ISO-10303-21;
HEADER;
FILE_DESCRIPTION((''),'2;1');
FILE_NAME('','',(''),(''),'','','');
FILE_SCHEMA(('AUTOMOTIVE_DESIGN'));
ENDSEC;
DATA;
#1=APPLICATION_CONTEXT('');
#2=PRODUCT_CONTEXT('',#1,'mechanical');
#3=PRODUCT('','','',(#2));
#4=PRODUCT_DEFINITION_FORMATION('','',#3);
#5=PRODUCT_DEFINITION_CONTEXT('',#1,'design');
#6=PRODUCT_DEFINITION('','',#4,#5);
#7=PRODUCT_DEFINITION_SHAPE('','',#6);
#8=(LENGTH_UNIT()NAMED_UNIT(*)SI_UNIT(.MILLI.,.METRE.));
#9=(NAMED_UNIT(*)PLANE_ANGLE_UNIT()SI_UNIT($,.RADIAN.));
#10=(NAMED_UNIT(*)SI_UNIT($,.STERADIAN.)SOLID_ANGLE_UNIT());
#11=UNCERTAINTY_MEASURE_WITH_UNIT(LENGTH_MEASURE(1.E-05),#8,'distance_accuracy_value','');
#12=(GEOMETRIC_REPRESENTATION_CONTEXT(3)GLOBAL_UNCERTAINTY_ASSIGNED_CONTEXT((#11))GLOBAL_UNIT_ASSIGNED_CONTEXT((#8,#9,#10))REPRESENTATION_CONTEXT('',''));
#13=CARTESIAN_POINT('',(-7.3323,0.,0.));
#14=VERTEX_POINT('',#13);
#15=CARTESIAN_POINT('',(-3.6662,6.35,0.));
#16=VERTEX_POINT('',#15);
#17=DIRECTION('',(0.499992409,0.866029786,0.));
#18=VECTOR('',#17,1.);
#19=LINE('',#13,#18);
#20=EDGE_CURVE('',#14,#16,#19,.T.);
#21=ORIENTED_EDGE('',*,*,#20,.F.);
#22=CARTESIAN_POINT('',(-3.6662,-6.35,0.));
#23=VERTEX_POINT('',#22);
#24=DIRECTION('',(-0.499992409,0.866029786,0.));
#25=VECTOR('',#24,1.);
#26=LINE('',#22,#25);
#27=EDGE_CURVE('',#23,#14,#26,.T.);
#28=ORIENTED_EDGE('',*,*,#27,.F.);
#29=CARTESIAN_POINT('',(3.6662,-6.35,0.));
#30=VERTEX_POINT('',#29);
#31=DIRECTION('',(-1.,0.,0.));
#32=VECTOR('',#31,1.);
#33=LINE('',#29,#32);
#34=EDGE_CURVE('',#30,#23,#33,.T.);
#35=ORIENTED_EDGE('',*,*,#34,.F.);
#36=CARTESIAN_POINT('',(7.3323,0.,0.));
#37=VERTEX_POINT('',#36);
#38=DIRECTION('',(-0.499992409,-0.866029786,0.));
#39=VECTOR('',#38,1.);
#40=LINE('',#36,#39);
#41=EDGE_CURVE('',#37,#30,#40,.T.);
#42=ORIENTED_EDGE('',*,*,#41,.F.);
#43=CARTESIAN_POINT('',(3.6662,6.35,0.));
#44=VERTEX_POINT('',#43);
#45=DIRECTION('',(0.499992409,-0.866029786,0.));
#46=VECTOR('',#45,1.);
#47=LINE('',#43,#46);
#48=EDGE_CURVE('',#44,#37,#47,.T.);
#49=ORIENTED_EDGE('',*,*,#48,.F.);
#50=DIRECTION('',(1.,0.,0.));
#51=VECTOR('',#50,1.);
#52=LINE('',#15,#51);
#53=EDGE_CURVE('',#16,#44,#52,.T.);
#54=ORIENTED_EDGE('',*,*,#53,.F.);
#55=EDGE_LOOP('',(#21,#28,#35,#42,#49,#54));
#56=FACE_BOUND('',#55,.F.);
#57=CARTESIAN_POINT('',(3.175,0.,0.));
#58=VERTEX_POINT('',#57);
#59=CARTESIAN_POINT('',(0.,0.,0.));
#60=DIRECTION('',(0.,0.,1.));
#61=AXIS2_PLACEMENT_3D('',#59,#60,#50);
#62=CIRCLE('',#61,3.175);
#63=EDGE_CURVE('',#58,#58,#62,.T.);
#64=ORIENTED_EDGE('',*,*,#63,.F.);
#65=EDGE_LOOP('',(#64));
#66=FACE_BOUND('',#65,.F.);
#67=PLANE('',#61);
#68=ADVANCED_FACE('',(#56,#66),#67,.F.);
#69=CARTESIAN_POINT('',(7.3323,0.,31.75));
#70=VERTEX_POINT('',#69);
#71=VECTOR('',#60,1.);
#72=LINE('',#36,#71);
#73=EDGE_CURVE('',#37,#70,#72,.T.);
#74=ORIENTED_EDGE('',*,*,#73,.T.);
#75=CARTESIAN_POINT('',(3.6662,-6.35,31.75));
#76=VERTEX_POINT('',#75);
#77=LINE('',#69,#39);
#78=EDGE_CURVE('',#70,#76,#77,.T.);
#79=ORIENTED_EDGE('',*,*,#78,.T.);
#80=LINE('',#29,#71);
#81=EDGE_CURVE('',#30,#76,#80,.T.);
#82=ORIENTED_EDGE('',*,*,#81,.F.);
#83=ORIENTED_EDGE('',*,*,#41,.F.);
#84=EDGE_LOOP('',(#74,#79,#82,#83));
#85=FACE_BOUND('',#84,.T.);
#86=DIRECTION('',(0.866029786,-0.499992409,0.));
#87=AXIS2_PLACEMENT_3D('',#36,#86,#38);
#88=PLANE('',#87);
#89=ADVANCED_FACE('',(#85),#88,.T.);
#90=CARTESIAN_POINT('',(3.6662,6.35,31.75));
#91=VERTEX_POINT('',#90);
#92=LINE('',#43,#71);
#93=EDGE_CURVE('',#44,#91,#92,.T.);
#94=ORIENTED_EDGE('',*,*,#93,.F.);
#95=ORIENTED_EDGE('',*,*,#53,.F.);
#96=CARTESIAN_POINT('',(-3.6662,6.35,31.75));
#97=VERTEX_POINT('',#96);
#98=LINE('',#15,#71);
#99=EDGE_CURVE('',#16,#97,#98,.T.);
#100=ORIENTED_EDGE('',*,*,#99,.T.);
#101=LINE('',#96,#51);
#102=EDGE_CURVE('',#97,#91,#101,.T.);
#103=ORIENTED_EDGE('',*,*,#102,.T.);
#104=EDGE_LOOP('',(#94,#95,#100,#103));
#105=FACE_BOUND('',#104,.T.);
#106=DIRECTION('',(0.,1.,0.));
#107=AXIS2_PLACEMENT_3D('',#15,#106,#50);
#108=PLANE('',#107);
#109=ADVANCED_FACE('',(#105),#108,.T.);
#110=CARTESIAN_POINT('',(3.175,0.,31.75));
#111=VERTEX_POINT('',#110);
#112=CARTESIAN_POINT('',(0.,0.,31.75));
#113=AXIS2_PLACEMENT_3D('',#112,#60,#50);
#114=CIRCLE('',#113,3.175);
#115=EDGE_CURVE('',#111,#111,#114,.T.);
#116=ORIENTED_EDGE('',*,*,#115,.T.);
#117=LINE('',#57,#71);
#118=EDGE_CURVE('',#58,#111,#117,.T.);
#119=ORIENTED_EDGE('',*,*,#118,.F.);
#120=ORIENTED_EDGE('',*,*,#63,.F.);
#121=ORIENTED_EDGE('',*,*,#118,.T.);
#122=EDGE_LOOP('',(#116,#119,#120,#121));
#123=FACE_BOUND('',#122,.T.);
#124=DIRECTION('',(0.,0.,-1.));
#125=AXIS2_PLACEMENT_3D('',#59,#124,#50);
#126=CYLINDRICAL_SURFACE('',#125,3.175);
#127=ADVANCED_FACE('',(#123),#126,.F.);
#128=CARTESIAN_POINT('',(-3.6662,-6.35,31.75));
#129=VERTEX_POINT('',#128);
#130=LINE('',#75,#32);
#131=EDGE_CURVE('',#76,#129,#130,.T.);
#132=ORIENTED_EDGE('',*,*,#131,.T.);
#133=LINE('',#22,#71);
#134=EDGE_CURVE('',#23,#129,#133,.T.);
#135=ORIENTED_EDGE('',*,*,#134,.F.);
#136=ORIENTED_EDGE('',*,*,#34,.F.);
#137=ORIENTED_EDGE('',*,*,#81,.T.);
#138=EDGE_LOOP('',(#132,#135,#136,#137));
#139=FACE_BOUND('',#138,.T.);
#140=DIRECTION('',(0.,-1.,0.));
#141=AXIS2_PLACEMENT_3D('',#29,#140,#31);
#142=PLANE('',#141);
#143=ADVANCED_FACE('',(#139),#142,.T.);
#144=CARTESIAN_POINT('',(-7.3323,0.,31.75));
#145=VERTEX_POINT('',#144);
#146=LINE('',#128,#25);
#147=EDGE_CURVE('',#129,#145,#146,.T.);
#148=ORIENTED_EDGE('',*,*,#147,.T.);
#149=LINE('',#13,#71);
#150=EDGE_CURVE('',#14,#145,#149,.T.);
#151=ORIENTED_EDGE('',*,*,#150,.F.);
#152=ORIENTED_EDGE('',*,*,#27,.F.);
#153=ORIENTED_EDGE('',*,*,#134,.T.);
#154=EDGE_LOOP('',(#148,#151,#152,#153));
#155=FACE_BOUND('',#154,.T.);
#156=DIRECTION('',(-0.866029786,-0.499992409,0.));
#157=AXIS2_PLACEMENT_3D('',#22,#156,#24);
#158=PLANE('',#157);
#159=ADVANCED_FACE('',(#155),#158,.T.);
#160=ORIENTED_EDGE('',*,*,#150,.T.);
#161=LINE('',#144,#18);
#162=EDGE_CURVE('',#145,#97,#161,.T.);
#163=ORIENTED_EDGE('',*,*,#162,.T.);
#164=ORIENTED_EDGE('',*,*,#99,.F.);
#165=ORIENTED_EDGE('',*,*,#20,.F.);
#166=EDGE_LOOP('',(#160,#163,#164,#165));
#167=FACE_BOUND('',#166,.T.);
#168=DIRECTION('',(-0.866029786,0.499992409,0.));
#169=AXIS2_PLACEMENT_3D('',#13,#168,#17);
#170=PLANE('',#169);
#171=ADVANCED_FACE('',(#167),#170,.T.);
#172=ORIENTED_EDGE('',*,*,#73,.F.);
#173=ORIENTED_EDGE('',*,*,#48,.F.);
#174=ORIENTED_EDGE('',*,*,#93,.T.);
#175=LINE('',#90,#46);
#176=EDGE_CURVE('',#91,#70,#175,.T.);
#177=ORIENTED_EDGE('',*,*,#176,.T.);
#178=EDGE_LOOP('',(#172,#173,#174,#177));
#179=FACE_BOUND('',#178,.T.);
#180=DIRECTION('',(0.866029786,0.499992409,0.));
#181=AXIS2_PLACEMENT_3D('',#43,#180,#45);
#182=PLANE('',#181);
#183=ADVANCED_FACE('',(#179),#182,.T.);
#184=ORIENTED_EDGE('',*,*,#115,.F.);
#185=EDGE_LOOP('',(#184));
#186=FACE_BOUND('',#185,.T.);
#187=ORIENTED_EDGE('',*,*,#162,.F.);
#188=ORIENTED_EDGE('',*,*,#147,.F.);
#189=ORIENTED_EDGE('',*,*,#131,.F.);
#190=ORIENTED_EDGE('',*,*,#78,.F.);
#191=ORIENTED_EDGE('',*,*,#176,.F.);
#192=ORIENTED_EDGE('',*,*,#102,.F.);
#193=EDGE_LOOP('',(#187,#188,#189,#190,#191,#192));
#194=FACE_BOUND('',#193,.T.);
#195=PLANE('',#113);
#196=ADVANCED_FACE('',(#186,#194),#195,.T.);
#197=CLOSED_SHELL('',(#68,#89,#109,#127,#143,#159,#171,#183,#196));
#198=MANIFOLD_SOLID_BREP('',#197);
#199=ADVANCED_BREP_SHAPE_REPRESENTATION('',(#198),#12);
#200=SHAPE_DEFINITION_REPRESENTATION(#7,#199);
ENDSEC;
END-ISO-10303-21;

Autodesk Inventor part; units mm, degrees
ref_plane "YZ Plane" through (0, 0, 0) normal (1, 0, 0) x (0, 1, 0)
ref_plane "XZ Plane" through (0, 0, 0) normal (0, 1, 0) x (-1, 0, 0)
ref_plane "XY Plane" through (0, 0, 0) normal (0, 0, 1) x (1, 0, 0)
sketch "Sketch1" plane through (0, 0, 0) normal (0, 0, 1) x (1, 0, 0)
  line L0 (3.6662, 6.35) -> (7.3323, 0)
  line L1 (7.3323, 0) -> (3.6662, -6.35)
  line L2 (3.6662, -6.35) -> (-3.6662, -6.35)
  line L3 (-3.6662, -6.35) -> (-7.3323, 0)
  line L4 (-7.3323, 0) -> (-3.6662, 6.35)
  line L5 (-3.6662, 6.35) -> (3.6662, 6.35)
  circle A0 centre (0, 0) radius 3.175
  dimension "d0" = 12.7
  dimension "d1" = 6.35
extrude "Extrusion1" add sketch "Sketch1" along normal blind 31.75
thread "Thread1" size "1/4-20 UNC" class "2B" standard "ANSI Unified Screw Threads" full length
properties part number "Threaded Standoff"
